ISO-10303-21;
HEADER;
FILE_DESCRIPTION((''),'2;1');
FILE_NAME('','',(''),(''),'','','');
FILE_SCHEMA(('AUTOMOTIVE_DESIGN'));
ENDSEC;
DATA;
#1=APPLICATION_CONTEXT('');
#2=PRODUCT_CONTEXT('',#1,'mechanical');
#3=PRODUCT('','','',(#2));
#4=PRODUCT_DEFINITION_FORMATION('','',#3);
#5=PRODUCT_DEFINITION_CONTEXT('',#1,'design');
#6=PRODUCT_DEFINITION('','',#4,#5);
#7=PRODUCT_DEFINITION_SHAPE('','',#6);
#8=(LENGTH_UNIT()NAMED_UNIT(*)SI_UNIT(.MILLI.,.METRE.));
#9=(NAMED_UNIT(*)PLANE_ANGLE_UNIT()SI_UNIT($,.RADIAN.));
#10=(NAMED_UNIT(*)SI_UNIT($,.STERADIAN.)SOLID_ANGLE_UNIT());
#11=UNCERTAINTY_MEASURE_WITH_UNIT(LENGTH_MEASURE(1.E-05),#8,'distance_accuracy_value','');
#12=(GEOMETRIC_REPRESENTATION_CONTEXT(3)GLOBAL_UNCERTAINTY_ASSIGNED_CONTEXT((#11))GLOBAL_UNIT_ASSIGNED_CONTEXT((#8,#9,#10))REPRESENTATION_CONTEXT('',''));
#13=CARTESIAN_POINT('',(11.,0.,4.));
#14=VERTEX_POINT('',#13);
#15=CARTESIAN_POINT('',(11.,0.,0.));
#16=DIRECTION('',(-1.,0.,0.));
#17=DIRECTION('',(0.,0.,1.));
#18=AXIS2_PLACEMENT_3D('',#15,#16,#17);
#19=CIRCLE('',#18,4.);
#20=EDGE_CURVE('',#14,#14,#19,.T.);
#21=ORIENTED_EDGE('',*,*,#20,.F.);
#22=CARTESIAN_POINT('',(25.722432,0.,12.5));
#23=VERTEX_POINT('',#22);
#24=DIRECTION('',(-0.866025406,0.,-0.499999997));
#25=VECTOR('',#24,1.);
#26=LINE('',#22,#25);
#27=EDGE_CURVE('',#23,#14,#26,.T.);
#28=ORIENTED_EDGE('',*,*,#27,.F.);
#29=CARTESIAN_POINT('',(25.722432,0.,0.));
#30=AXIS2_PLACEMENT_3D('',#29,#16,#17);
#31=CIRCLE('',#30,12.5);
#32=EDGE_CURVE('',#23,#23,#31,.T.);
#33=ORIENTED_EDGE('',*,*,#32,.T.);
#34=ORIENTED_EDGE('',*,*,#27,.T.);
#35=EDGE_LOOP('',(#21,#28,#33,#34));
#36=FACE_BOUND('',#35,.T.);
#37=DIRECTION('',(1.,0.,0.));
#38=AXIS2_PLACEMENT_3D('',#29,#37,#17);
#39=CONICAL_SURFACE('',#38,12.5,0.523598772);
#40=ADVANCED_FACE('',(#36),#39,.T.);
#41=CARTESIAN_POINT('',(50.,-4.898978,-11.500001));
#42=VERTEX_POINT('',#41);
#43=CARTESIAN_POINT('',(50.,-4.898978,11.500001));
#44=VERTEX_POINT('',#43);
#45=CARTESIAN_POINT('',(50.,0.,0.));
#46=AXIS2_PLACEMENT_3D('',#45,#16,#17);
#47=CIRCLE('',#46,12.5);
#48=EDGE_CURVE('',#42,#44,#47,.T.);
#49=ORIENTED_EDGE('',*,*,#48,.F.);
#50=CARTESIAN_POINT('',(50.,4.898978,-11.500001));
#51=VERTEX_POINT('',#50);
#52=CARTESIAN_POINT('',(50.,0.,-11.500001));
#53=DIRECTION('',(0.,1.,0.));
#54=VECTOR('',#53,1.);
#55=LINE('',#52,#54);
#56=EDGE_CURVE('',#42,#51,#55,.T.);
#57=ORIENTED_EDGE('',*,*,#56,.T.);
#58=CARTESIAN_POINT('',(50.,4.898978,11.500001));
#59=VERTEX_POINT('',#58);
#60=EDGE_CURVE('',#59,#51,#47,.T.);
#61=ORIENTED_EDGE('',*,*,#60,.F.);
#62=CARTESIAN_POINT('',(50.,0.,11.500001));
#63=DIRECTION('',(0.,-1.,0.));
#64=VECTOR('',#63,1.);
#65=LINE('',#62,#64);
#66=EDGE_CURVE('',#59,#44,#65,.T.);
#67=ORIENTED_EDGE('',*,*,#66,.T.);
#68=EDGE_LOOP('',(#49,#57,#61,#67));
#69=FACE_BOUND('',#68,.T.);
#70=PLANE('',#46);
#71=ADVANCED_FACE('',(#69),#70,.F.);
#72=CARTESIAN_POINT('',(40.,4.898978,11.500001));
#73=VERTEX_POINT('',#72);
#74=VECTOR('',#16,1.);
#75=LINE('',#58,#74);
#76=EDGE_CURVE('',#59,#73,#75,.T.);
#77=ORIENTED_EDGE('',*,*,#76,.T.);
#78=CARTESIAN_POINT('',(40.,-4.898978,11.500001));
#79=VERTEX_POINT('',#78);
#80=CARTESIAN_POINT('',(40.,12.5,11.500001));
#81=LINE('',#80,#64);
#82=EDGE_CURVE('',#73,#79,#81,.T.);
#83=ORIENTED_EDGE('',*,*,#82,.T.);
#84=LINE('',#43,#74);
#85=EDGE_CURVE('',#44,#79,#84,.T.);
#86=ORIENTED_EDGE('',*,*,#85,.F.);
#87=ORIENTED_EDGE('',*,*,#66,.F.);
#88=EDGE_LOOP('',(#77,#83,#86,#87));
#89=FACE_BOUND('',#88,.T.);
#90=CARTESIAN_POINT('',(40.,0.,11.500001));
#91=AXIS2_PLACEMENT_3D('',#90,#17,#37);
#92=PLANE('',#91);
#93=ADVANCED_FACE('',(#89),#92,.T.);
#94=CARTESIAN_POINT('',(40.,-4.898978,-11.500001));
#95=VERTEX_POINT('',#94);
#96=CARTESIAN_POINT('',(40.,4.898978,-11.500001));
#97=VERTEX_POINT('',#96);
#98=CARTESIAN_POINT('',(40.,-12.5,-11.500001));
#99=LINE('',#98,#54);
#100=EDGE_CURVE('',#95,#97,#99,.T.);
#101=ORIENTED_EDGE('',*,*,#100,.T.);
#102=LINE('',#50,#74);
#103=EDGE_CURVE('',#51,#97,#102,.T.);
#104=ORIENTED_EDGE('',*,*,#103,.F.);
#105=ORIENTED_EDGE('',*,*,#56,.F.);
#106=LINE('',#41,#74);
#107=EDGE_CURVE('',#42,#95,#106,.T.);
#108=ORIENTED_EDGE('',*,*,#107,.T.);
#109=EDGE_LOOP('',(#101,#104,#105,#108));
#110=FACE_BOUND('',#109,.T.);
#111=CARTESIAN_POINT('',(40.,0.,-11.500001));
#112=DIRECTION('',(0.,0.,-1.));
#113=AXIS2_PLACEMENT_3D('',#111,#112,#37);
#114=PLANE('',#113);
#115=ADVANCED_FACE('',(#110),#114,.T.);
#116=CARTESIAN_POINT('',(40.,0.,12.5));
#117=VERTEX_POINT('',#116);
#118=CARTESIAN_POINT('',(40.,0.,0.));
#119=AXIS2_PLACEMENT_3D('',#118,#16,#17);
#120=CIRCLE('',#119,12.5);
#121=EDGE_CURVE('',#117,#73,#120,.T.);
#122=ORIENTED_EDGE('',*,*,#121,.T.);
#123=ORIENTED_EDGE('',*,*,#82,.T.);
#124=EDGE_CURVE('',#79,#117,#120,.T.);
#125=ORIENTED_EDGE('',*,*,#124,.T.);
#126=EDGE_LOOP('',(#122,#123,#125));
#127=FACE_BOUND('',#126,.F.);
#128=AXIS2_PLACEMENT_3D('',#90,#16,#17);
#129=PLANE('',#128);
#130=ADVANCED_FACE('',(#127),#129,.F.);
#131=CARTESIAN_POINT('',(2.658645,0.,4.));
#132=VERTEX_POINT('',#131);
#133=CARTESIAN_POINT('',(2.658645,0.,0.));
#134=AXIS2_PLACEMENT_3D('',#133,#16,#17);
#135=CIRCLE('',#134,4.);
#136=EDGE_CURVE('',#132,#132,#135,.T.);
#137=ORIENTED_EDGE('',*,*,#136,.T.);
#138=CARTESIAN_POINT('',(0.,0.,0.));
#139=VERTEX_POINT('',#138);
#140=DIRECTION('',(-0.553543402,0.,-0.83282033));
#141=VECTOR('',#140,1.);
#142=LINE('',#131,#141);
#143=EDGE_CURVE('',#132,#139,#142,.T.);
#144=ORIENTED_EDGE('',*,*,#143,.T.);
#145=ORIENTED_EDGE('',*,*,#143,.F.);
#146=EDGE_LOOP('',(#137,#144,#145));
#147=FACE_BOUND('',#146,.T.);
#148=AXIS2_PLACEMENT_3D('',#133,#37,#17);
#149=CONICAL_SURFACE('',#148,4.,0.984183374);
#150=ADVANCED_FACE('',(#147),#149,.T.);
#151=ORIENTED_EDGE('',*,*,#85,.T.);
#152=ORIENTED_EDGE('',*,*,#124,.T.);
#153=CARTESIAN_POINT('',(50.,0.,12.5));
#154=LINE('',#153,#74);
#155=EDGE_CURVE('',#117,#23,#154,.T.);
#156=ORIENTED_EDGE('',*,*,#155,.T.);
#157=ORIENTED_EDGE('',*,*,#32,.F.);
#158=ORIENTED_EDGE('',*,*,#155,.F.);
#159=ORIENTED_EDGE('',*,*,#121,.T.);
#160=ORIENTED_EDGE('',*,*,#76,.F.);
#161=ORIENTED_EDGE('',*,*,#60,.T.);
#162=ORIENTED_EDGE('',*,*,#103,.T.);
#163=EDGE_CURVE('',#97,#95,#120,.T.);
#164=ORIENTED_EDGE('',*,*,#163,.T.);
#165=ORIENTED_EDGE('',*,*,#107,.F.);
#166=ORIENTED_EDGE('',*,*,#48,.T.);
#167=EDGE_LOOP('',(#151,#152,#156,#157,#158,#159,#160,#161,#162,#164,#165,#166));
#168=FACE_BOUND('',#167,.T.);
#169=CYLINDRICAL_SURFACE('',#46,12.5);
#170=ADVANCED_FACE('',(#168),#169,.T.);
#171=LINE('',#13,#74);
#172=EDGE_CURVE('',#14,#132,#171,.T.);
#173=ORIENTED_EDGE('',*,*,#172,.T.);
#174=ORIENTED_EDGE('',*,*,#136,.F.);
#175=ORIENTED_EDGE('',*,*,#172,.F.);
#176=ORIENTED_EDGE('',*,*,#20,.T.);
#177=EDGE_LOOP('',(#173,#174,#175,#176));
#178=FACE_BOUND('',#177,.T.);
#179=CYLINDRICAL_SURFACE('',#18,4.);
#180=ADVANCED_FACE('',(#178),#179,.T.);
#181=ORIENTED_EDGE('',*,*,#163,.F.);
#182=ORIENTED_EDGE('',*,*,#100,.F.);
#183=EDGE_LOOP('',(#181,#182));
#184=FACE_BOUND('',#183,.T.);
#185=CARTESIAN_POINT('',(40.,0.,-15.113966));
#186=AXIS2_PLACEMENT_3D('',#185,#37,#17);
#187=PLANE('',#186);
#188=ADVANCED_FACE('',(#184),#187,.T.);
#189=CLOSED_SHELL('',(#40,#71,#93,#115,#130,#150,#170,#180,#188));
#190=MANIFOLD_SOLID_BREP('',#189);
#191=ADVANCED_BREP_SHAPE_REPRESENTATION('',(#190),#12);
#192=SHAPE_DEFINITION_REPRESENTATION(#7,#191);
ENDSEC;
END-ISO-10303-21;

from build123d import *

# Parameters (mm, degrees)
F2_W     = 13.42322
F2_H     = 3.613965
F3_DEPTH = 12.5


with BuildPart() as f1:
    # F0 (on Front) → F1 (revolve)
    with BuildSketch(Plane.XZ):
        Polygon((2.658645, 4), (0, 0), (50, 0), (50, 12.5), (25.722432, 12.5), (11, 4), align=None)
    revolve(axis=Axis((25, 0, 0), (-1, 0, 0)))

    # F2 (on Front) → F3 (cut, symmetric)
    with BuildSketch(Plane.XZ):
        with Locations((46.71161, 13.306983)):
            Rectangle(F2_W, F2_H)
        with Locations((46.71161, -13.306983)):
            Rectangle(F2_W, F2_H)
    extrude(amount=F3_DEPTH, both=True, mode=Mode.SUBTRACT)


solid = f1.part
